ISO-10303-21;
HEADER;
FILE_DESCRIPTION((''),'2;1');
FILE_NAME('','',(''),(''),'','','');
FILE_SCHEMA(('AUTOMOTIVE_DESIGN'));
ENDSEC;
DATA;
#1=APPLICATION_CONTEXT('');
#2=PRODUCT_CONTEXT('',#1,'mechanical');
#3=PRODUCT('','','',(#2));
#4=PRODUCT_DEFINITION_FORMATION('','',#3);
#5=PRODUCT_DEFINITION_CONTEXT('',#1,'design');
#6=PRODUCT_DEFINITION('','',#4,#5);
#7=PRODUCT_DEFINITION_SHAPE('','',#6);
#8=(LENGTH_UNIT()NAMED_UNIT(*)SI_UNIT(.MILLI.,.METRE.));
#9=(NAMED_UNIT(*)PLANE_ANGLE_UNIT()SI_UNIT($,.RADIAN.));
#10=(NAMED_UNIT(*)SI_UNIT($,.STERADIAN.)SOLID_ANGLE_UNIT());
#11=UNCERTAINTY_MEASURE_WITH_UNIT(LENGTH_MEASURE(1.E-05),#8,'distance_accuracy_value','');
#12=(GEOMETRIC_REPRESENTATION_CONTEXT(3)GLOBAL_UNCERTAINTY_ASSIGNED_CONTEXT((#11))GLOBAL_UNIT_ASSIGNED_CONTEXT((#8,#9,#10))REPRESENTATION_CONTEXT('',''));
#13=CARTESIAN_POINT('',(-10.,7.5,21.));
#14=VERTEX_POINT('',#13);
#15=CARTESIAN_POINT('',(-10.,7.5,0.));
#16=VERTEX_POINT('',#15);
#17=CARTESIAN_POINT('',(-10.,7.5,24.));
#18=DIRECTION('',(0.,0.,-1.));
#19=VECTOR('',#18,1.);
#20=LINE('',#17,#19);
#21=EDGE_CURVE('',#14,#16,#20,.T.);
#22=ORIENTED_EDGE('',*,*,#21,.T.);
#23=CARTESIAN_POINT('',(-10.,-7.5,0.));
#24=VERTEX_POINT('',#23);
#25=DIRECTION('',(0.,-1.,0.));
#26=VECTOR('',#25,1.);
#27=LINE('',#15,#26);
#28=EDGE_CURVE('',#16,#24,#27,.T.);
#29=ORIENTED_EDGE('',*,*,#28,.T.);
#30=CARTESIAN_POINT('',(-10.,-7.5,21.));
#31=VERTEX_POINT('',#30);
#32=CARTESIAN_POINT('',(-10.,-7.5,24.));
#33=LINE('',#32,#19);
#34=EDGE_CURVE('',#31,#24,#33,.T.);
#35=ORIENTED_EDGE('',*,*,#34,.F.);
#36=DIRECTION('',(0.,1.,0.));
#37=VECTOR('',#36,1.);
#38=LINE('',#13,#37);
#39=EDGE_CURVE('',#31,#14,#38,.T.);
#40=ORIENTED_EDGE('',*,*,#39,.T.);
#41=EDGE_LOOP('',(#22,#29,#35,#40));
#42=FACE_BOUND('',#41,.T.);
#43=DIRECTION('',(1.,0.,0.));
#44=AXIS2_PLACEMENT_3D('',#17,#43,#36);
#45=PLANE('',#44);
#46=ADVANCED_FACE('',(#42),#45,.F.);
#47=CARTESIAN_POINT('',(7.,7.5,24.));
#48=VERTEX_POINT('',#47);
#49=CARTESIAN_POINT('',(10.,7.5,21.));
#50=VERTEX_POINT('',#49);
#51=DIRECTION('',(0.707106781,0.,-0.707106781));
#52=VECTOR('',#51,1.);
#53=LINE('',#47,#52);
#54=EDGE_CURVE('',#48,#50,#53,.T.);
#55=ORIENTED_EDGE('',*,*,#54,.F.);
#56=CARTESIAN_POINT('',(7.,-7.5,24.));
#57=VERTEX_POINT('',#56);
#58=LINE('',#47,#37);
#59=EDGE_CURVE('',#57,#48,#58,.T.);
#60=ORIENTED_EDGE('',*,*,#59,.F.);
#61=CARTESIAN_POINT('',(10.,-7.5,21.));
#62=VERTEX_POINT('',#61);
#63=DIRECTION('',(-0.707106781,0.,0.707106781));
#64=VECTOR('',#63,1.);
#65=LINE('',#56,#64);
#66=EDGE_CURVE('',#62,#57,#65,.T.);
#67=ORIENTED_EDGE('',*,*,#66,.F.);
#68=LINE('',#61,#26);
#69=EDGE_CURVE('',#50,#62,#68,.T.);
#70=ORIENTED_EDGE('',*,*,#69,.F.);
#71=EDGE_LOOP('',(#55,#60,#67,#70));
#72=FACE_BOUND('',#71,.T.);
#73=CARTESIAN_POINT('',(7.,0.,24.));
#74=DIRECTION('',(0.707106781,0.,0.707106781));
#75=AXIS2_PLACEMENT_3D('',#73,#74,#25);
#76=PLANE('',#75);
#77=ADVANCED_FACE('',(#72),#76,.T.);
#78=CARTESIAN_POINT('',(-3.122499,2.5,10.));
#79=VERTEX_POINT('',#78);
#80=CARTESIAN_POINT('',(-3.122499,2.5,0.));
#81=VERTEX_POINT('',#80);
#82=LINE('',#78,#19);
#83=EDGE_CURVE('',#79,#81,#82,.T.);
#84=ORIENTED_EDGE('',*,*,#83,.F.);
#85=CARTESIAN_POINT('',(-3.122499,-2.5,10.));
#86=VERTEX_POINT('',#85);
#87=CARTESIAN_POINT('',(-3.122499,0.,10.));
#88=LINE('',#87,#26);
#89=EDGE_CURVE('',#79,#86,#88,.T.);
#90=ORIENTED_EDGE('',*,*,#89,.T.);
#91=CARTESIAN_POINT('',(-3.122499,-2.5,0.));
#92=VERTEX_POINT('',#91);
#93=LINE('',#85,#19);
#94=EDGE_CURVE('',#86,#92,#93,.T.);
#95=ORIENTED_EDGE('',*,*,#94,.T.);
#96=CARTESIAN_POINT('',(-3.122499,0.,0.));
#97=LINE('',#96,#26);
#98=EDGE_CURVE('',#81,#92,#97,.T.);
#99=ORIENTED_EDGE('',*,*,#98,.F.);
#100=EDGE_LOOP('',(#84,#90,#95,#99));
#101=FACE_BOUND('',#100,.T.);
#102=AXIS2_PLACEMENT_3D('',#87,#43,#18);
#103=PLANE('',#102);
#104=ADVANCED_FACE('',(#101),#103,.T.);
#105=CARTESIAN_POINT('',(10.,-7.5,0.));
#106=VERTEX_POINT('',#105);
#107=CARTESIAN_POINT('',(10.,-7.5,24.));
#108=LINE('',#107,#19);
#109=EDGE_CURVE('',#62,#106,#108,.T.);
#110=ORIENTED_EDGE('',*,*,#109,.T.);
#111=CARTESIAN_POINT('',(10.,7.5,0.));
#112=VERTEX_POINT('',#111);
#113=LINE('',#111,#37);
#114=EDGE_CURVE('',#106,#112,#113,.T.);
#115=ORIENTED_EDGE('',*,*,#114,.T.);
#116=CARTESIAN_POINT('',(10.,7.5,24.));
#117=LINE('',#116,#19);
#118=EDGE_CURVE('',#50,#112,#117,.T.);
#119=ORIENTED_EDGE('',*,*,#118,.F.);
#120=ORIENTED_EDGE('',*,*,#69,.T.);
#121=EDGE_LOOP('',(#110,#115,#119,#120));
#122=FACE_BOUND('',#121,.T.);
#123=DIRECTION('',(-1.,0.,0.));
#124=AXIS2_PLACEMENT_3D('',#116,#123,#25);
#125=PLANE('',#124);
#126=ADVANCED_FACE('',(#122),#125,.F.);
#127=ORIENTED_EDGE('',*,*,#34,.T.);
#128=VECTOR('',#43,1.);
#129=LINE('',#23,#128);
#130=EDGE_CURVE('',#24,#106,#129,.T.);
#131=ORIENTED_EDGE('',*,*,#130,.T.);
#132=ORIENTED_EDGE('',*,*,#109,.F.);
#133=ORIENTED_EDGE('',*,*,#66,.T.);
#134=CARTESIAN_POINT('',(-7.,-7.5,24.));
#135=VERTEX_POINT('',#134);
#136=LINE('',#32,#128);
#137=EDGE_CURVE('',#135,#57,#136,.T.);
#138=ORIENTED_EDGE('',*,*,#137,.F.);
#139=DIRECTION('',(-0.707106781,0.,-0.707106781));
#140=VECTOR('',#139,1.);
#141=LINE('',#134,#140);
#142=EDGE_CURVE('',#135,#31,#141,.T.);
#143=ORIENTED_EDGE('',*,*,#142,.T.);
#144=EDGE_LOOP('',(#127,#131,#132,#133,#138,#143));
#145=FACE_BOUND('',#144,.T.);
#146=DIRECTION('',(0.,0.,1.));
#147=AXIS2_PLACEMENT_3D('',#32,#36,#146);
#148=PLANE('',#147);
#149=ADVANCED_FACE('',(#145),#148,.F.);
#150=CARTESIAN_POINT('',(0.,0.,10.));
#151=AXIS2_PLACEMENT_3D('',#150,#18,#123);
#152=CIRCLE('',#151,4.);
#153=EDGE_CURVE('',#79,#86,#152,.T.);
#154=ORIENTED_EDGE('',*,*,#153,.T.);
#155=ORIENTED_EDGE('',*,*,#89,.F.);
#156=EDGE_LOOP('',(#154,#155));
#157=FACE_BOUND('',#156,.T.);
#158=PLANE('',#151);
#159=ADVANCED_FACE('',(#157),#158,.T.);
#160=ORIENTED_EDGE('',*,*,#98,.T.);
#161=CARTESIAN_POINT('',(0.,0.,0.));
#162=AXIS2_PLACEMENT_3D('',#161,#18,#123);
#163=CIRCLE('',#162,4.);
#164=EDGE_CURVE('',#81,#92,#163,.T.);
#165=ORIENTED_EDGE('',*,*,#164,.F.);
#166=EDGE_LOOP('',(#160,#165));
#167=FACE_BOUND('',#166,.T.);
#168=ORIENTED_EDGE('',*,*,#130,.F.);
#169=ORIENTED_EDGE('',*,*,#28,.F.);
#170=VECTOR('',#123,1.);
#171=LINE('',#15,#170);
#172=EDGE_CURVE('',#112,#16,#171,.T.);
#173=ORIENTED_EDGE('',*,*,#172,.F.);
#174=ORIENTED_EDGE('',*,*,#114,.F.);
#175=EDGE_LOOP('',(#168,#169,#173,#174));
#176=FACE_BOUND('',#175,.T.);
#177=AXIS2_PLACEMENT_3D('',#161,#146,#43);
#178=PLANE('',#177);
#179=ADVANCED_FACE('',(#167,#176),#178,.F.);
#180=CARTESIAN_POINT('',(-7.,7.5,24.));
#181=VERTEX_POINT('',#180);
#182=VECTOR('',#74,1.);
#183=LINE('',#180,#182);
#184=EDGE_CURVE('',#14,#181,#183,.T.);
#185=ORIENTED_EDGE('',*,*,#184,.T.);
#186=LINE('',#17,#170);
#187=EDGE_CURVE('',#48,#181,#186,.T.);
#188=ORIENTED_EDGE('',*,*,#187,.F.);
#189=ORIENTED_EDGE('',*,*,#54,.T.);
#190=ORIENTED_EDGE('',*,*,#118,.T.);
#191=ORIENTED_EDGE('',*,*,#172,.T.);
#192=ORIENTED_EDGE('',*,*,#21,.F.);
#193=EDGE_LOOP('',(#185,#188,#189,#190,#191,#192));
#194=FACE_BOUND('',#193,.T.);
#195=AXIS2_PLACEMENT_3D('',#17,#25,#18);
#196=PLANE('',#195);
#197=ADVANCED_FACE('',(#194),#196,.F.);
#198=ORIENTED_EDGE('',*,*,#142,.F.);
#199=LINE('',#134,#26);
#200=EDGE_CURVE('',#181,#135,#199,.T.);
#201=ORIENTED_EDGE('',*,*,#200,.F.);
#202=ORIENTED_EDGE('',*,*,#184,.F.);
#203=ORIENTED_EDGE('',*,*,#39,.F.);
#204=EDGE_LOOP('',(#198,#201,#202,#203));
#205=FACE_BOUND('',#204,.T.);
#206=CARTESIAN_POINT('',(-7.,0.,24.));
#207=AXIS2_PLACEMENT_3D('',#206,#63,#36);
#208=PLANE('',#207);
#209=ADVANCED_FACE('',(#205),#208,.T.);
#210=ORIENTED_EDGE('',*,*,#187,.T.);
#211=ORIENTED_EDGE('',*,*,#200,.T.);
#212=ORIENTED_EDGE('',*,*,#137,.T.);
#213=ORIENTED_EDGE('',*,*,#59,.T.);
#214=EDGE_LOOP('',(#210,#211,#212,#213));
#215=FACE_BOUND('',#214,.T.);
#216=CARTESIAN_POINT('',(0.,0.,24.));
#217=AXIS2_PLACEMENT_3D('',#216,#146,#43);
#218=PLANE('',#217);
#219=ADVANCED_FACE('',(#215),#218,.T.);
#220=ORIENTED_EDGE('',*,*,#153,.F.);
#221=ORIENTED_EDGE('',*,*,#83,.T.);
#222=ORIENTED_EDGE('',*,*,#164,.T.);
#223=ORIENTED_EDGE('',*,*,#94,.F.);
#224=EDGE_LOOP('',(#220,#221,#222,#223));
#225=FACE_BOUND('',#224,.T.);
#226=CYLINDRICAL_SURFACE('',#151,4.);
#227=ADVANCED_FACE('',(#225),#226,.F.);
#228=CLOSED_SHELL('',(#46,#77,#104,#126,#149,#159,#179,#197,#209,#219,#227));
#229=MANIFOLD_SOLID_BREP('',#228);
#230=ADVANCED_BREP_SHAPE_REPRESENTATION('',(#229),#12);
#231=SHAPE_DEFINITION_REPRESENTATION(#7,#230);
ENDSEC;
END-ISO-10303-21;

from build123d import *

# Parameters (mm, degrees)
SKETCH1_W           = 20
SKETCH1_H           = 15
BOSS_EXTRUDE1_DEPTH = 24
CHAMFER2_SIZE       = 3
CHAMFER3_SIZE       = 3
CUT_EXTRUDE1_DEPTH  = 10


with BuildPart() as part:
    # Sketch1 → Boss-Extrude1 (new body)
    with BuildSketch(Plane.XY):
        Rectangle(SKETCH1_W, SKETCH1_H)
    extrude(amount=BOSS_EXTRUDE1_DEPTH)

    # Chamfer2
    chamfer2_edges = [part.edges().sort_by_distance(p)[0] for p in [
        (10, 0, 24),
    ]]
    chamfer(chamfer2_edges, length=CHAMFER2_SIZE)

    # Chamfer3
    chamfer3_edges = [part.edges().sort_by_distance(p)[0] for p in [
        (-10, 0, 24),
    ]]
    chamfer(chamfer3_edges, length=CHAMFER3_SIZE)

    # Sketch3 → Cut-Extrude1 (cut)
    with BuildSketch(Plane(origin=(0, 0, 0), x_dir=(-1, 0, 0), z_dir=(0, 0, -1))):
        with BuildLine():
            Line((3.122498999, 2.5), (3.122498999, -2.5))
            ThreePointArc((3.122498999, -2.5), (-4, 0), (3.122498999, 2.5))
        make_face()
    extrude(amount=-CUT_EXTRUDE1_DEPTH, mode=Mode.SUBTRACT)


solid = part.part
